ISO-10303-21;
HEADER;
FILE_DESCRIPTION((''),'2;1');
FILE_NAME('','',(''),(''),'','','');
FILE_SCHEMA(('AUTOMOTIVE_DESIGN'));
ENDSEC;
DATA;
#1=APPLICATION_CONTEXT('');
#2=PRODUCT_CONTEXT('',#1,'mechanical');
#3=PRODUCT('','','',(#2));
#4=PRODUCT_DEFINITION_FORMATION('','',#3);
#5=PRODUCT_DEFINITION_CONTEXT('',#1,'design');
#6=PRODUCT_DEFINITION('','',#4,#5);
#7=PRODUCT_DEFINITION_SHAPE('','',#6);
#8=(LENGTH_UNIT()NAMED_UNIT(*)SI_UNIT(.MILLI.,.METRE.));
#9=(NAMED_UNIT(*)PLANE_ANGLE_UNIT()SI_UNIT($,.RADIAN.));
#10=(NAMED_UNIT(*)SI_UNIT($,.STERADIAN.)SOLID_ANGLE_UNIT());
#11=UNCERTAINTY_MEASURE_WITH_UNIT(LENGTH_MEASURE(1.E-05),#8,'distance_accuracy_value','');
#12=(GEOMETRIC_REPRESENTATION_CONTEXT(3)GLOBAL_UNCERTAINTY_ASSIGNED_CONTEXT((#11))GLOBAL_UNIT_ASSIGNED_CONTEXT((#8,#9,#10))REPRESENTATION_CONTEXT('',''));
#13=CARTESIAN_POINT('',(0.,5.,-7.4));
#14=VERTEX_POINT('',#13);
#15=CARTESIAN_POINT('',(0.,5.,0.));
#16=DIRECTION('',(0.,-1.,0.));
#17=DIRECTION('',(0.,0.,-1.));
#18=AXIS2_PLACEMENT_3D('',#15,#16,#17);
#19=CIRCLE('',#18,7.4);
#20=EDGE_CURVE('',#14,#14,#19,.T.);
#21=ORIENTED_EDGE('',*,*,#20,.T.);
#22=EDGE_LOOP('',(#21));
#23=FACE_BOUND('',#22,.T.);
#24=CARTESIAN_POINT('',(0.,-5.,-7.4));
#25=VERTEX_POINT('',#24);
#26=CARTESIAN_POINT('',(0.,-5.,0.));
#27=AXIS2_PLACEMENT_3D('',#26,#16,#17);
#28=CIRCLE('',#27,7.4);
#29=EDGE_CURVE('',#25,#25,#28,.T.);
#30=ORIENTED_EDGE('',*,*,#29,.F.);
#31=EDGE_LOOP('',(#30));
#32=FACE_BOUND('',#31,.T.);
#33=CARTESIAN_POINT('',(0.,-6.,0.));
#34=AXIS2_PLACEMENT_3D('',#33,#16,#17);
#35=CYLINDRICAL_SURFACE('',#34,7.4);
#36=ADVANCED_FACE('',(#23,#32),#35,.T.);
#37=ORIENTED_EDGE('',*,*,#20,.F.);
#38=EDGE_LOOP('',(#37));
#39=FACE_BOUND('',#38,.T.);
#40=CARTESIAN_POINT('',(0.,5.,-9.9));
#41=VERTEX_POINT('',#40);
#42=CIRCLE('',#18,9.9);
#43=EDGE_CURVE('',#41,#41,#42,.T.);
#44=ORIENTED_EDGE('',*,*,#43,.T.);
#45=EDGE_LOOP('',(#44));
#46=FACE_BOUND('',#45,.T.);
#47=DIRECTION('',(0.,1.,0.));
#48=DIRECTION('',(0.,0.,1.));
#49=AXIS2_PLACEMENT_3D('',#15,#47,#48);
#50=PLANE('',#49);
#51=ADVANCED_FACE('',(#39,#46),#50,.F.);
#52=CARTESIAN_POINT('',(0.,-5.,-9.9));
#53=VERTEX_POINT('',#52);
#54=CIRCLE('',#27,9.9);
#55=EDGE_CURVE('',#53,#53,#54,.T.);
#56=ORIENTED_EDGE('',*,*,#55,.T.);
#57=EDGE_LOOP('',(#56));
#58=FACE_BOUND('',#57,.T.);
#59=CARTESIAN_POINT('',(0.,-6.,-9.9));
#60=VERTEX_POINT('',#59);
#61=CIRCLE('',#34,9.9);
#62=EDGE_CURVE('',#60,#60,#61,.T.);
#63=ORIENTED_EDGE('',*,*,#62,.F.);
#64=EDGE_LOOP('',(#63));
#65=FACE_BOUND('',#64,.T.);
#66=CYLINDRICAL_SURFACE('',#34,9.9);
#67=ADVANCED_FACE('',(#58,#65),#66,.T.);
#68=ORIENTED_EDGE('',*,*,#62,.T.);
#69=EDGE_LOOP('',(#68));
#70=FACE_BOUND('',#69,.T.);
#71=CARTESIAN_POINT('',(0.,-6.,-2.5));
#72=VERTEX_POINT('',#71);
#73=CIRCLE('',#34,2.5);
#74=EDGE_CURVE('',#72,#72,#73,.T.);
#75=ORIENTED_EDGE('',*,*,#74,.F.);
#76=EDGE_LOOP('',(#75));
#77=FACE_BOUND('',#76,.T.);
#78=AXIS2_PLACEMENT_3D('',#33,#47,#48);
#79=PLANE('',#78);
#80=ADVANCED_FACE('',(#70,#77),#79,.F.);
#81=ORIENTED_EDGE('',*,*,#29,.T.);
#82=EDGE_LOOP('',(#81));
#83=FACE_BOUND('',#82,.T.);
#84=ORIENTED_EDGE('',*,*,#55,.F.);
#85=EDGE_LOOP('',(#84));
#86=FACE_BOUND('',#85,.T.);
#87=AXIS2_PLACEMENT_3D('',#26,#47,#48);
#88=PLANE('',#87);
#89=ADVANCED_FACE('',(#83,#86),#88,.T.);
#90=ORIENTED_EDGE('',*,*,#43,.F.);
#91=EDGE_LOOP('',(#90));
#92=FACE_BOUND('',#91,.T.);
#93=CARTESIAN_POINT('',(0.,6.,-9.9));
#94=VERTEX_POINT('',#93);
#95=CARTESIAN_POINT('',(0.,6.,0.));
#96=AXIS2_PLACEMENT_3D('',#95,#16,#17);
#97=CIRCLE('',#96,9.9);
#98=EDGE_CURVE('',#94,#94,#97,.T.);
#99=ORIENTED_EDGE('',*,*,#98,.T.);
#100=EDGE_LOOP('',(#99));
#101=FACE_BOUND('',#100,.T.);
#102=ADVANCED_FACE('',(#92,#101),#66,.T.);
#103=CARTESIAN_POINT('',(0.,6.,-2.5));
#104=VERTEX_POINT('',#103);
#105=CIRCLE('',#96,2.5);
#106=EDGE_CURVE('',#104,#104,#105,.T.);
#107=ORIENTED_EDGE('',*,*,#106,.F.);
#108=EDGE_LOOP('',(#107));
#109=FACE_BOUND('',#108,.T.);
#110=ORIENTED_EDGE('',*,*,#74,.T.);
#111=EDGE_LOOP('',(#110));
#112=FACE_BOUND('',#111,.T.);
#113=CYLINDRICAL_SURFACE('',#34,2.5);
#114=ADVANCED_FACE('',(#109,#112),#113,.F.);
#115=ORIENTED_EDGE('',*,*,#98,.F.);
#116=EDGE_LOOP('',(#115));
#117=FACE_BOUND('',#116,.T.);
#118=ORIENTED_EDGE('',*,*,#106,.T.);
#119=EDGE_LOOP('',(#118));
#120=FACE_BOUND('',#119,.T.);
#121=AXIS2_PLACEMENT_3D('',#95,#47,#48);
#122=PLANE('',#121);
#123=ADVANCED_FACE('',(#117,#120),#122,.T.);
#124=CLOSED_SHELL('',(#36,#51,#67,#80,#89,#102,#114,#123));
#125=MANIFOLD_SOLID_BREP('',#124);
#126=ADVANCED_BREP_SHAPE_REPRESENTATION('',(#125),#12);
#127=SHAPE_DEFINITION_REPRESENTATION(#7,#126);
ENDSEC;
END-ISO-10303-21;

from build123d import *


with BuildPart() as part:
    # 草图2 → 旋转1 (revolve)
    with BuildSketch(Plane.XY, mode=Mode.PRIVATE) as revolve_1_sk:
        Polygon((2.5, -6), (9.9, -6), (9.9, -5), (7.4, -5), (7.4, 5), (9.9, 5), (9.9, 6), (2.5, 6), align=None)
    revolve(revolve_1_sk.sketch.rotate(Axis((0, -6, 0), (0, 1, 0)), 90), axis=Axis((0, -6, 0), (0, 1, 0)))


solid = part.part
